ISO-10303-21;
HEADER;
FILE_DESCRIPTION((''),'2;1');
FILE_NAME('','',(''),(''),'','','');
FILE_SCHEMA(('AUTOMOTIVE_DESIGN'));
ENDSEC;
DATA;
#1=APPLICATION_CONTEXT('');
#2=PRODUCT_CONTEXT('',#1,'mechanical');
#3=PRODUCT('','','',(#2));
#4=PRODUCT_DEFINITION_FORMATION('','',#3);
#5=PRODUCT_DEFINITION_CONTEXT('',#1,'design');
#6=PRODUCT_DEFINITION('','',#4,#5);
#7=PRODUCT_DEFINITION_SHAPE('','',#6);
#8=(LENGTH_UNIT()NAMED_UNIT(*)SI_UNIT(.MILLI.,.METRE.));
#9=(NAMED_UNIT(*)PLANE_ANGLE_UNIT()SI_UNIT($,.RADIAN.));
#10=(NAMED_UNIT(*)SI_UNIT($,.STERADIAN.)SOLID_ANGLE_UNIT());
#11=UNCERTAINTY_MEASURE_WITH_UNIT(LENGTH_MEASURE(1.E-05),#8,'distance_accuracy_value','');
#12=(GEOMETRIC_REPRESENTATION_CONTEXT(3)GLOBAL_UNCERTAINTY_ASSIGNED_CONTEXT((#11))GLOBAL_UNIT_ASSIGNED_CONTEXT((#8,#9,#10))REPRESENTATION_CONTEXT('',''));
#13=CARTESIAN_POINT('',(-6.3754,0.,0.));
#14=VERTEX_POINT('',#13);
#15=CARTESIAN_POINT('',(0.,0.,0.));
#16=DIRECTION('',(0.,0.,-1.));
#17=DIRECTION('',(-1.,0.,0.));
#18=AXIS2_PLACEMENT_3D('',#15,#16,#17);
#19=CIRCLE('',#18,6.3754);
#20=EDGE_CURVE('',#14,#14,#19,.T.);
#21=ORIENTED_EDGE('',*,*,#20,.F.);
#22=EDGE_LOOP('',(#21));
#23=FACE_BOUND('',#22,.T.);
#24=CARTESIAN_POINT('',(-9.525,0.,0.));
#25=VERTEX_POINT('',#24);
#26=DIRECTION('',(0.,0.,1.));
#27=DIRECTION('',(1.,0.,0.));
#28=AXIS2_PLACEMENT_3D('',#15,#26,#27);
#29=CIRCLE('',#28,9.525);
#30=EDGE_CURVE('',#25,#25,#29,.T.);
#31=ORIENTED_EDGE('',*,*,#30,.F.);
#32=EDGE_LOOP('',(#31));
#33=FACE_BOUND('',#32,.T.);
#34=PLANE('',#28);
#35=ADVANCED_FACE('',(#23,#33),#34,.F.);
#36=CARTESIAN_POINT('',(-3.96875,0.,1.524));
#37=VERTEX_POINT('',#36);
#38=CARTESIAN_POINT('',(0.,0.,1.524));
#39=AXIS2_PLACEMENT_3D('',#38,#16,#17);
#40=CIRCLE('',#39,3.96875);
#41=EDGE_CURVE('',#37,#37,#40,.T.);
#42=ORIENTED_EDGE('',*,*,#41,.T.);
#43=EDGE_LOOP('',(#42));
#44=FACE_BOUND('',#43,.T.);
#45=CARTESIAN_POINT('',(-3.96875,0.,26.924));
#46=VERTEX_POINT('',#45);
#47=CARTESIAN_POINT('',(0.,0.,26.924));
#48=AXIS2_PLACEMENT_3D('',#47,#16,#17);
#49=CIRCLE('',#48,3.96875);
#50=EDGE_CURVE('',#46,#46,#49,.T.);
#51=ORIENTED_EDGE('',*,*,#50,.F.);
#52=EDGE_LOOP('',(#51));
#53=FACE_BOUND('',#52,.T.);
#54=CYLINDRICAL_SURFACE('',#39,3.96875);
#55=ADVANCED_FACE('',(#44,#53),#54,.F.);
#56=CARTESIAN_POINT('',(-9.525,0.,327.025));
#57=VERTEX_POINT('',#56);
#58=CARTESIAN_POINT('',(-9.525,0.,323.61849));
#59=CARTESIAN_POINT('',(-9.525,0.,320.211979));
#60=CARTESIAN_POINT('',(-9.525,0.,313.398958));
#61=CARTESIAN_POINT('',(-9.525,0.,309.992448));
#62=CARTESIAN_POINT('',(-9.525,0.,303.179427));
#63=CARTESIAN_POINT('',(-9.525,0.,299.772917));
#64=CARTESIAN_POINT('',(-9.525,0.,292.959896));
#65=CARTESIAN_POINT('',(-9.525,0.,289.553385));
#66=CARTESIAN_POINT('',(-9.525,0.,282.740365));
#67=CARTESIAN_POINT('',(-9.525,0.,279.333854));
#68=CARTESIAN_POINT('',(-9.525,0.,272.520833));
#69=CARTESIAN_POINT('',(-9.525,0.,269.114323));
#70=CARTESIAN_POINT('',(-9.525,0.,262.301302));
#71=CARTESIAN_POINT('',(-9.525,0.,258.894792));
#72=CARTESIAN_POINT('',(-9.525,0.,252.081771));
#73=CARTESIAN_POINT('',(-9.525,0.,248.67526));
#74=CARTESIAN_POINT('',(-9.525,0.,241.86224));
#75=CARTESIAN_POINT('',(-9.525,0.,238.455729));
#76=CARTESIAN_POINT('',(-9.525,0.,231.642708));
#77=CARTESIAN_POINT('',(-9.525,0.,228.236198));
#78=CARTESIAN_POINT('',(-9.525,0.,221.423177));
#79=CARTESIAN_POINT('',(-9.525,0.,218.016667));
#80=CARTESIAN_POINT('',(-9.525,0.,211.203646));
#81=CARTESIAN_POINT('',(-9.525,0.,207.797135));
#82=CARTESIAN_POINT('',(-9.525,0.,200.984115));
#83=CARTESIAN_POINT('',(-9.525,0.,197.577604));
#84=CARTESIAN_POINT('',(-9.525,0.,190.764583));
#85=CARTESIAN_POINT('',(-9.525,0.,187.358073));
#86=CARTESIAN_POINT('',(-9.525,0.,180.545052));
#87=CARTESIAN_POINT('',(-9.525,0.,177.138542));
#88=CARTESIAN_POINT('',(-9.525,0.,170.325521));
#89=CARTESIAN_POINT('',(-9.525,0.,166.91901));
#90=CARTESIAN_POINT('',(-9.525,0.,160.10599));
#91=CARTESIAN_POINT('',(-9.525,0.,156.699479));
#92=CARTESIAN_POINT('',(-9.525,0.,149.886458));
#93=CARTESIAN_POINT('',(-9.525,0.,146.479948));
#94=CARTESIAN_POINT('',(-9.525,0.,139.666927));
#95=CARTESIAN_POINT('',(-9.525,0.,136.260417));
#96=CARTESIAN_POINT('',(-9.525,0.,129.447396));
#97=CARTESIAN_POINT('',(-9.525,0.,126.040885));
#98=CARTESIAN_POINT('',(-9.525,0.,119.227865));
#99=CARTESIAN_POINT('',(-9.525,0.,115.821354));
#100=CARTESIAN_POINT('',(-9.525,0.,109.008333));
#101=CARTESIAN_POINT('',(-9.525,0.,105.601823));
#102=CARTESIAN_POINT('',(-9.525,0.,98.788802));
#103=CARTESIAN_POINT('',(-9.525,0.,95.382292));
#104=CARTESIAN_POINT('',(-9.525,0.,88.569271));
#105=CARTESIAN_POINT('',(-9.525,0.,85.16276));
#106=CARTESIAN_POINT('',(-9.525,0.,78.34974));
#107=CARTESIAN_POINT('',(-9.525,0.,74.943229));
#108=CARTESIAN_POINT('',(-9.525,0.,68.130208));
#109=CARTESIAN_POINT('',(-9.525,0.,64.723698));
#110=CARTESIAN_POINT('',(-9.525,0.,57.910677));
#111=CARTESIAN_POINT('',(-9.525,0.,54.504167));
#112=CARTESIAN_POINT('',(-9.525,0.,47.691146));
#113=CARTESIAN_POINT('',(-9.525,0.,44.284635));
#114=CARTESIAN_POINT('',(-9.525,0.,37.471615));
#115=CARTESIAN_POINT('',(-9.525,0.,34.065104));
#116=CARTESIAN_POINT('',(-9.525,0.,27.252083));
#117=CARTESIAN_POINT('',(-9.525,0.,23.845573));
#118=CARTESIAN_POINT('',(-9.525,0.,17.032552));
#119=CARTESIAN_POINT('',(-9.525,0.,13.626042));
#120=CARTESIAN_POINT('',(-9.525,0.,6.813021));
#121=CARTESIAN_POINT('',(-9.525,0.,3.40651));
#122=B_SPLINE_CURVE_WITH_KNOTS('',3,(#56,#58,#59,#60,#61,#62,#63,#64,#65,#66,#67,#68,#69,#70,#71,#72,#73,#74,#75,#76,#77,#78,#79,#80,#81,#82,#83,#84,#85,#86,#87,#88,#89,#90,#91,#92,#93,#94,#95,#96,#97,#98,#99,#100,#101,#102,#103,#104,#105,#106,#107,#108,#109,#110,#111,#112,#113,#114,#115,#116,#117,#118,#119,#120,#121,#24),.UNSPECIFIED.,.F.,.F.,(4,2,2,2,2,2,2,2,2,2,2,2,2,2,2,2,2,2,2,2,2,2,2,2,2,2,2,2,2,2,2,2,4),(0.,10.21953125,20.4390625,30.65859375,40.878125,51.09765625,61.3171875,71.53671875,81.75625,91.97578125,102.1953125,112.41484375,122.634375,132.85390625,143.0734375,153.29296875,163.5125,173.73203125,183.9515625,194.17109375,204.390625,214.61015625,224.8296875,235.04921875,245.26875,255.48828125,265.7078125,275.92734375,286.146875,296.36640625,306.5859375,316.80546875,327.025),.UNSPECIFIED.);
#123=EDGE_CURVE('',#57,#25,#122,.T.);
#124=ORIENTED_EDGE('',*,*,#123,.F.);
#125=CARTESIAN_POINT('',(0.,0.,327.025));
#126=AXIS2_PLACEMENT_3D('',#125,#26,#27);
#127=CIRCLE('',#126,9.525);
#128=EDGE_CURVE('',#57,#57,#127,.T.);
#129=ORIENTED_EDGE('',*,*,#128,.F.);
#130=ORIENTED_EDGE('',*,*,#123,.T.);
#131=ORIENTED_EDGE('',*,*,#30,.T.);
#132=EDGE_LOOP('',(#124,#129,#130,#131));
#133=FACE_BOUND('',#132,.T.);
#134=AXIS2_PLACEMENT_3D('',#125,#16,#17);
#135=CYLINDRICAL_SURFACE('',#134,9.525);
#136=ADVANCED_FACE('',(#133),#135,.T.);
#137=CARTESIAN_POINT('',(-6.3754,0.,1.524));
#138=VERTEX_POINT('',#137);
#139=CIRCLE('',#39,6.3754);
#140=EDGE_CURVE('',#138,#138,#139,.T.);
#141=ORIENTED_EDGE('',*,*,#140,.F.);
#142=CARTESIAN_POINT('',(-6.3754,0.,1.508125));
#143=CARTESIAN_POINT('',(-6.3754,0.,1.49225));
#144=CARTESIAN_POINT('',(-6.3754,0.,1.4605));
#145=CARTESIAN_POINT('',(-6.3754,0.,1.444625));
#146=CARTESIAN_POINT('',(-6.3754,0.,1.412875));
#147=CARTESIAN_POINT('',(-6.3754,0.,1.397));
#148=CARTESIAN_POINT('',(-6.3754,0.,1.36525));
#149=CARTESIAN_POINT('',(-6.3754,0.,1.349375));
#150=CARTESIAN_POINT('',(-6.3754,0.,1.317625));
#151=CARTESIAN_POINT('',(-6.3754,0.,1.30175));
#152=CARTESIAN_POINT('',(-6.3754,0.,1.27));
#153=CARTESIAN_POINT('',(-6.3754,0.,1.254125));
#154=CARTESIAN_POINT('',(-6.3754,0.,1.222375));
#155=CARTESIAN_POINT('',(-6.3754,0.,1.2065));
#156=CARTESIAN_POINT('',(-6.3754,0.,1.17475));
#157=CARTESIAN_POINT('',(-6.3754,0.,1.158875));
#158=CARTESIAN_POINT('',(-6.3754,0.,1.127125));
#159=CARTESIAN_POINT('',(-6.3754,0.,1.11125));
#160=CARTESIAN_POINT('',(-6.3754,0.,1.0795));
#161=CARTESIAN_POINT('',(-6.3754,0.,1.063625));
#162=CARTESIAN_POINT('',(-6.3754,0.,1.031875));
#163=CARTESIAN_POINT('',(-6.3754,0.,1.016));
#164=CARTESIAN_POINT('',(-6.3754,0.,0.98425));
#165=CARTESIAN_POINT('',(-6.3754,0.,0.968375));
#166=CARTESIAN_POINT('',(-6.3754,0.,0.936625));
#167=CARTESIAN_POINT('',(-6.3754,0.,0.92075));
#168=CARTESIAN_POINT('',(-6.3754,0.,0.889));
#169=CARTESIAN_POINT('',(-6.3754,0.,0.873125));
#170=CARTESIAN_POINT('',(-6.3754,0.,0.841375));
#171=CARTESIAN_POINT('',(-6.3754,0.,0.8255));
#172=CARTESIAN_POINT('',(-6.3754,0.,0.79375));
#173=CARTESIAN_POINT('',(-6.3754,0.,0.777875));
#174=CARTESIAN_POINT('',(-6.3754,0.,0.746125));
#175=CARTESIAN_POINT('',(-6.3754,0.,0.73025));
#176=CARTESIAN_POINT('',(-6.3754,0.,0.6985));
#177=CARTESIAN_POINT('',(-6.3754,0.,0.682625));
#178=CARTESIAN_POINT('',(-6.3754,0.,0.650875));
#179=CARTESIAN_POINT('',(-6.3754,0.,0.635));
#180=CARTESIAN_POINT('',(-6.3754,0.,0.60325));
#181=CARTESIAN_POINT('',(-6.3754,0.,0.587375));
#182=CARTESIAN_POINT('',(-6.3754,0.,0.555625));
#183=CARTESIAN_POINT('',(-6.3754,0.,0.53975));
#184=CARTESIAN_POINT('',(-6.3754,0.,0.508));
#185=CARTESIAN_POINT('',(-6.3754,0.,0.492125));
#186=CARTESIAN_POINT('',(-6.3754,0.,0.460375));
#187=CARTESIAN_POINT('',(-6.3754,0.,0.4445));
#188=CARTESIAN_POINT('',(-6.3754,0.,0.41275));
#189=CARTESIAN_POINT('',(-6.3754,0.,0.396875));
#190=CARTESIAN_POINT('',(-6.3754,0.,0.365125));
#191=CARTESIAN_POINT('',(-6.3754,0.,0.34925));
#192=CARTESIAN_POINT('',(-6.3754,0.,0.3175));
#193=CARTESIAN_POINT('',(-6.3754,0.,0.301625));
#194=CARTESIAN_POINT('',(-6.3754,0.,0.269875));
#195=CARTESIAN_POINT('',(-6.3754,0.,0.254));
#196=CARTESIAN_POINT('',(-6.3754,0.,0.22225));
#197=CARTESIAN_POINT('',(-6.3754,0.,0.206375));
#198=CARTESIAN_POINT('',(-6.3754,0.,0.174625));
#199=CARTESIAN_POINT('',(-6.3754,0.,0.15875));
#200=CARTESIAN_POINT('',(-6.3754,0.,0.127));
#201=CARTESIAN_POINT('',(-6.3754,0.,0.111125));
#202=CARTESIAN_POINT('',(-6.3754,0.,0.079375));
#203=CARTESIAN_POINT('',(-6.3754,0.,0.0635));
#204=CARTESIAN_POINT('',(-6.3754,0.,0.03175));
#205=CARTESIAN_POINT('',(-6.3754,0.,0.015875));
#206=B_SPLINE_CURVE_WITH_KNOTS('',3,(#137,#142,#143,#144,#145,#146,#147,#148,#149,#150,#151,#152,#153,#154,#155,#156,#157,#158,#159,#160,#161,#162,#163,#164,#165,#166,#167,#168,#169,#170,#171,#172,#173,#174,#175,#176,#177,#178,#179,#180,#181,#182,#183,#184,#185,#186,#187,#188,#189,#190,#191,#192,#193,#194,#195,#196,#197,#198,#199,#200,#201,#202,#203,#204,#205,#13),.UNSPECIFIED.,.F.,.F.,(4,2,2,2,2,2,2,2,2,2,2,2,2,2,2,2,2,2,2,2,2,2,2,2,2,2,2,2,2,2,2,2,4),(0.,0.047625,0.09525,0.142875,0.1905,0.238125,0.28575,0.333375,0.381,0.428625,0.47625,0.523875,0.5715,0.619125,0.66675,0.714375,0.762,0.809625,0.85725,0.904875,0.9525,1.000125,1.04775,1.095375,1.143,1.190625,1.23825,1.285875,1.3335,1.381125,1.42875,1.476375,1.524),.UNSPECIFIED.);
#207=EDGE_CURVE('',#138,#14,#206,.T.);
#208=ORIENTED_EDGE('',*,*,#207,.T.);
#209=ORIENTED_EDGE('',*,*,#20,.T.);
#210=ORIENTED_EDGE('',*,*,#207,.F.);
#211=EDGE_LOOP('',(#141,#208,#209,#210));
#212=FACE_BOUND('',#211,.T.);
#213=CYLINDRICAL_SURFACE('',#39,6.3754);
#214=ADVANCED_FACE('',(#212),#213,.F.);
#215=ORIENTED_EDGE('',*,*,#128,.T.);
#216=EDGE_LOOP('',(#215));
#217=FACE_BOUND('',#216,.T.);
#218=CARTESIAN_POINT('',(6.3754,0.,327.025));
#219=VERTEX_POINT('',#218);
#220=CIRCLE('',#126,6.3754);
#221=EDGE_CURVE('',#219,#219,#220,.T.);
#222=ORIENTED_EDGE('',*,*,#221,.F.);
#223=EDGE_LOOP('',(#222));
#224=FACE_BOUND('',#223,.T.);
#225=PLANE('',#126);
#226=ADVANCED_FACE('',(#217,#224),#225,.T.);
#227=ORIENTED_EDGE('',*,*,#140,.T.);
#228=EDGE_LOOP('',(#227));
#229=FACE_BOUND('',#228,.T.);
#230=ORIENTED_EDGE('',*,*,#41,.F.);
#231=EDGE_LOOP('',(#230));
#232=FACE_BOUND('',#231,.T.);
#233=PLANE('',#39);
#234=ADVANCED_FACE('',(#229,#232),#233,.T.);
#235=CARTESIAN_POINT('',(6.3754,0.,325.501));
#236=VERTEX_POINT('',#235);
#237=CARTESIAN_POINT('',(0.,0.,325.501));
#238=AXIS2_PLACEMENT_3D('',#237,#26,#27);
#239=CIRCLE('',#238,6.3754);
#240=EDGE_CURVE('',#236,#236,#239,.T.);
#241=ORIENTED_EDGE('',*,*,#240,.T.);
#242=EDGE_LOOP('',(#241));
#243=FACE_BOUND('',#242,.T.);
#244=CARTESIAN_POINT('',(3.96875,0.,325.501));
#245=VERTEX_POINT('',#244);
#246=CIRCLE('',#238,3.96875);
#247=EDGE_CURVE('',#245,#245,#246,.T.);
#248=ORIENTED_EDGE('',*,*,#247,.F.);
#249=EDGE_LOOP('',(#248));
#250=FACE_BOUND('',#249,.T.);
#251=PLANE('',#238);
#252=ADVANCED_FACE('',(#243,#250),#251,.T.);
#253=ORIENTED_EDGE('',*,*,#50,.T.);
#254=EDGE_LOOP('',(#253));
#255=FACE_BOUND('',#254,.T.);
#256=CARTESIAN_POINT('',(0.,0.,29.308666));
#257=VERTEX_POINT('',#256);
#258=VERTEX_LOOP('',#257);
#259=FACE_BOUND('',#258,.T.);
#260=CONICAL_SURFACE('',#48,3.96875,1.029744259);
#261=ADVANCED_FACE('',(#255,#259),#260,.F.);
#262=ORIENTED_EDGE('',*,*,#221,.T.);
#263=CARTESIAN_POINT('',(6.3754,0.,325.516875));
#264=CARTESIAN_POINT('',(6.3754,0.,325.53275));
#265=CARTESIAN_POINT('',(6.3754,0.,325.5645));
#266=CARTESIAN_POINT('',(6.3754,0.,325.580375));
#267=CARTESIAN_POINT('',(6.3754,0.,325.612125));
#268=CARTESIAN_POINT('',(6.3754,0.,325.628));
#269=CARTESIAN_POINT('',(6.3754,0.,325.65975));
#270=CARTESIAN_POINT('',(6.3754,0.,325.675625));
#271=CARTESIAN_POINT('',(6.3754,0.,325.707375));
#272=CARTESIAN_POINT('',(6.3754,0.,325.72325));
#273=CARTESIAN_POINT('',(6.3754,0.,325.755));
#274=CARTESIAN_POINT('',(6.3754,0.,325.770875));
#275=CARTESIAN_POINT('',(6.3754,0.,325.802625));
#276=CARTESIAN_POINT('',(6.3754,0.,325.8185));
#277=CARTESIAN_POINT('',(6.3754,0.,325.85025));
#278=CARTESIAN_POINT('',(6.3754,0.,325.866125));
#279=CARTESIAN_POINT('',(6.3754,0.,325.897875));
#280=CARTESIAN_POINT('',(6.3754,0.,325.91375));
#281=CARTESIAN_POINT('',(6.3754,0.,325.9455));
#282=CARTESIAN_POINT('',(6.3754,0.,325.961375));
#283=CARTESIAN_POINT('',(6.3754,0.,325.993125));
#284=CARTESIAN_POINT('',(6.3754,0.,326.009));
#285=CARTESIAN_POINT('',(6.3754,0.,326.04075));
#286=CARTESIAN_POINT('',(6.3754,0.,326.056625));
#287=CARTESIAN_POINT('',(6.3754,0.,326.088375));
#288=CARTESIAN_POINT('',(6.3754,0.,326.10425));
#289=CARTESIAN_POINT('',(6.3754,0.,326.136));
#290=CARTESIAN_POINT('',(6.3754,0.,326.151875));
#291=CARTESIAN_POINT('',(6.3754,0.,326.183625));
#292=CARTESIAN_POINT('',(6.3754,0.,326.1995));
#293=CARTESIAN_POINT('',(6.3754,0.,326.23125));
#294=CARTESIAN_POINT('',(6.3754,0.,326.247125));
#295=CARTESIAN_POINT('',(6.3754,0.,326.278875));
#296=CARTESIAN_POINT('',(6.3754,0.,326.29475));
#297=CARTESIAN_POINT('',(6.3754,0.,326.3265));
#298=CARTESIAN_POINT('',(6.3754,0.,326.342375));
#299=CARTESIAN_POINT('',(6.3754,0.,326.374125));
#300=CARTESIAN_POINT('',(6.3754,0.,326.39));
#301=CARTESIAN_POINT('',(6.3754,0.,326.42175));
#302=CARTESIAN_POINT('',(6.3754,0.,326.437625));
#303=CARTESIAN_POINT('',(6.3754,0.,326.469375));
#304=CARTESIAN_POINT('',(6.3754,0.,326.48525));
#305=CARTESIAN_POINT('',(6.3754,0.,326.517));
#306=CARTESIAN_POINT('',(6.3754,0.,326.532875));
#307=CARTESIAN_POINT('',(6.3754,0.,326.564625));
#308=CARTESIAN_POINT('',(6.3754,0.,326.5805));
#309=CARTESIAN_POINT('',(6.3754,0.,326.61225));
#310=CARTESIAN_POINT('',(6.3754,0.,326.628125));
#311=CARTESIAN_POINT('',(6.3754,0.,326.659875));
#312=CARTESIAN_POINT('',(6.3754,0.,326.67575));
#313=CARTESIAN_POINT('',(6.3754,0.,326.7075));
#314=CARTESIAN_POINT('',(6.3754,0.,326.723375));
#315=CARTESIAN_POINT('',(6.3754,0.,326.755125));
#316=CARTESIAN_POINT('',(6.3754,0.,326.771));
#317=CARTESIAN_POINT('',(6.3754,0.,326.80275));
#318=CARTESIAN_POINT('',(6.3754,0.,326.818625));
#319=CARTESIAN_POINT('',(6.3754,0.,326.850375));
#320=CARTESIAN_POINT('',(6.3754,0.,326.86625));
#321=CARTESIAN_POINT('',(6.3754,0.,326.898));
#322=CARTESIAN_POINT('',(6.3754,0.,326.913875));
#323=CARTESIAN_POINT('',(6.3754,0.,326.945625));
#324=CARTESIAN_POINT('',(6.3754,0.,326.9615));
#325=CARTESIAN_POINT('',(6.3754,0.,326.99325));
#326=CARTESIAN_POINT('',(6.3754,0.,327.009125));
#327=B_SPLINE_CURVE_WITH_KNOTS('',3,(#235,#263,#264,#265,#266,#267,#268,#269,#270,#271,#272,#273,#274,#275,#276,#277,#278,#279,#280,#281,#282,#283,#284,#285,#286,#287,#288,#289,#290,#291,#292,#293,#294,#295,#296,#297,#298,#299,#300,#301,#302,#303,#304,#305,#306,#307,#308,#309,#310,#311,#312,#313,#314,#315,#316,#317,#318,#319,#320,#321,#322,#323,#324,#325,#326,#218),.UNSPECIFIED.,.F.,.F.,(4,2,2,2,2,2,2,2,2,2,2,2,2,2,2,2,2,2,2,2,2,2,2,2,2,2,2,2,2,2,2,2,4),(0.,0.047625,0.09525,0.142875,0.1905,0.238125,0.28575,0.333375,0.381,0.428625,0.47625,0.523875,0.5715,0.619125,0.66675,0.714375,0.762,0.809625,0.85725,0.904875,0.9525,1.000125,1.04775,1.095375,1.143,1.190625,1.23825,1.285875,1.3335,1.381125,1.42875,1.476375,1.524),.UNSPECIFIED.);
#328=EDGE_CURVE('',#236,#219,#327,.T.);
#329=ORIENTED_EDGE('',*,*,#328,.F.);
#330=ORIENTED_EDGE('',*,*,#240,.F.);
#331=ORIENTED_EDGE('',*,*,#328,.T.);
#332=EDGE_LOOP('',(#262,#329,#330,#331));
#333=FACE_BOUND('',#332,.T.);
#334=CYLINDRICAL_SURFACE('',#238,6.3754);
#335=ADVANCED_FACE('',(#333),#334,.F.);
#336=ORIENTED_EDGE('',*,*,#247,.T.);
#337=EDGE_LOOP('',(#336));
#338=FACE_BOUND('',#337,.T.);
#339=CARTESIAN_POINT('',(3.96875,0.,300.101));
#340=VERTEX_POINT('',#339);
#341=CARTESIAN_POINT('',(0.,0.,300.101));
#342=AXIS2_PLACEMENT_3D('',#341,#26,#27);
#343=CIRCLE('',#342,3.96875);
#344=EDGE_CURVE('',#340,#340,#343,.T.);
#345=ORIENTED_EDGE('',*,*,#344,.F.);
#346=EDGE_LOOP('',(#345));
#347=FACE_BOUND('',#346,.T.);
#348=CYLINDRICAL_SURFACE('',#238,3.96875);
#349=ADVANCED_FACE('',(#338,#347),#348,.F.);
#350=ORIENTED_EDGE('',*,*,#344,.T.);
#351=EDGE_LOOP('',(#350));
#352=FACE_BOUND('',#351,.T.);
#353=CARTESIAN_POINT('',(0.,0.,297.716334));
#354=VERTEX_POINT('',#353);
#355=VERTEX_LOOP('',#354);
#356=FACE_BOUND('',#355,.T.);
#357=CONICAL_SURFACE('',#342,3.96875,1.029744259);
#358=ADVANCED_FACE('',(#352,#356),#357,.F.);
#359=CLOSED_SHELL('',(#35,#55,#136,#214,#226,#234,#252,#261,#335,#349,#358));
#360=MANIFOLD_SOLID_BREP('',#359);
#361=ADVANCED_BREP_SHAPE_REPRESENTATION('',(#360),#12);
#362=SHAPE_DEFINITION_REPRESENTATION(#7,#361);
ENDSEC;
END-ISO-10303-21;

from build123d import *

# Parameters (mm, degrees)
SKETCH1_R                   = 9.525
BOSS_EXTRUDE1_DEPTH         = 327.025
SKETCH2_R                   = 6.3754
CUT_EXTRUDE1_DEPTH          = 1.524
F_3_8_16_TAPPED_HOLE1_D     = 7.9375
F_3_8_16_TAPPED_HOLE1_DEPTH = 25.4
F_3_8_16_TAPPED_HOLE1_TIP   = 2.384665582
CUT_EXTRUDE2_START          = -1.524
SKETCH5_R                   = 6.3754
CUT_EXTRUDE2_DEPTH          = 1.524
F_3_8_16_TAPPED_HOLE2_D     = 7.9375
F_3_8_16_TAPPED_HOLE2_DEPTH = 25.4
F_3_8_16_TAPPED_HOLE2_TIP   = 2.384665582


with BuildPart() as part:
    # Sketch1 → Boss-Extrude1 (new body)
    with BuildSketch(Plane.XY):
        with Locations(Location((0, 0, 0), (0, 0, 180))):
            Circle(SKETCH1_R)
    extrude(amount=BOSS_EXTRUDE1_DEPTH)

    # Sketch2 → Cut-Extrude1 (cut)
    with BuildSketch(Plane.XY.offset(327.025)):
        Circle(SKETCH2_R)
    extrude(amount=-CUT_EXTRUDE1_DEPTH, mode=Mode.SUBTRACT)

    # 3/8-16 Tapped Hole1
    with Locations(Plane.XY.offset(325.501)):
        with Locations((0, 0)):
            Hole(F_3_8_16_TAPPED_HOLE1_D / 2, depth=F_3_8_16_TAPPED_HOLE1_DEPTH)
            with Locations((0, 0, -(F_3_8_16_TAPPED_HOLE1_DEPTH + F_3_8_16_TAPPED_HOLE1_TIP / 2))):  # 118° drill point
                Cone(0, F_3_8_16_TAPPED_HOLE1_D / 2, F_3_8_16_TAPPED_HOLE1_TIP, mode=Mode.SUBTRACT)

    # Sketch5 → Cut-Extrude2 (cut)
    with BuildSketch(Plane(origin=(0, 0, 0), x_dir=(-1, 0, 0), z_dir=(0, 0, -1)).offset(CUT_EXTRUDE2_START)):
        with Locations(Location((0, 0, 0), (0, 0, 180))):
            Circle(SKETCH5_R)
    extrude(amount=CUT_EXTRUDE2_DEPTH, mode=Mode.SUBTRACT)

    # 3/8-16 Tapped Hole2
    with Locations(Plane(origin=(0, 0, 1.524), x_dir=(-1, 0, 0), z_dir=(0, 0, -1))):
        with Locations((0, 0)):
            Hole(F_3_8_16_TAPPED_HOLE2_D / 2, depth=F_3_8_16_TAPPED_HOLE2_DEPTH)
            with Locations((0, 0, -(F_3_8_16_TAPPED_HOLE2_DEPTH + F_3_8_16_TAPPED_HOLE2_TIP / 2))):  # 118° drill point
                Cone(0, F_3_8_16_TAPPED_HOLE2_D / 2, F_3_8_16_TAPPED_HOLE2_TIP, mode=Mode.SUBTRACT)


solid = part.part
